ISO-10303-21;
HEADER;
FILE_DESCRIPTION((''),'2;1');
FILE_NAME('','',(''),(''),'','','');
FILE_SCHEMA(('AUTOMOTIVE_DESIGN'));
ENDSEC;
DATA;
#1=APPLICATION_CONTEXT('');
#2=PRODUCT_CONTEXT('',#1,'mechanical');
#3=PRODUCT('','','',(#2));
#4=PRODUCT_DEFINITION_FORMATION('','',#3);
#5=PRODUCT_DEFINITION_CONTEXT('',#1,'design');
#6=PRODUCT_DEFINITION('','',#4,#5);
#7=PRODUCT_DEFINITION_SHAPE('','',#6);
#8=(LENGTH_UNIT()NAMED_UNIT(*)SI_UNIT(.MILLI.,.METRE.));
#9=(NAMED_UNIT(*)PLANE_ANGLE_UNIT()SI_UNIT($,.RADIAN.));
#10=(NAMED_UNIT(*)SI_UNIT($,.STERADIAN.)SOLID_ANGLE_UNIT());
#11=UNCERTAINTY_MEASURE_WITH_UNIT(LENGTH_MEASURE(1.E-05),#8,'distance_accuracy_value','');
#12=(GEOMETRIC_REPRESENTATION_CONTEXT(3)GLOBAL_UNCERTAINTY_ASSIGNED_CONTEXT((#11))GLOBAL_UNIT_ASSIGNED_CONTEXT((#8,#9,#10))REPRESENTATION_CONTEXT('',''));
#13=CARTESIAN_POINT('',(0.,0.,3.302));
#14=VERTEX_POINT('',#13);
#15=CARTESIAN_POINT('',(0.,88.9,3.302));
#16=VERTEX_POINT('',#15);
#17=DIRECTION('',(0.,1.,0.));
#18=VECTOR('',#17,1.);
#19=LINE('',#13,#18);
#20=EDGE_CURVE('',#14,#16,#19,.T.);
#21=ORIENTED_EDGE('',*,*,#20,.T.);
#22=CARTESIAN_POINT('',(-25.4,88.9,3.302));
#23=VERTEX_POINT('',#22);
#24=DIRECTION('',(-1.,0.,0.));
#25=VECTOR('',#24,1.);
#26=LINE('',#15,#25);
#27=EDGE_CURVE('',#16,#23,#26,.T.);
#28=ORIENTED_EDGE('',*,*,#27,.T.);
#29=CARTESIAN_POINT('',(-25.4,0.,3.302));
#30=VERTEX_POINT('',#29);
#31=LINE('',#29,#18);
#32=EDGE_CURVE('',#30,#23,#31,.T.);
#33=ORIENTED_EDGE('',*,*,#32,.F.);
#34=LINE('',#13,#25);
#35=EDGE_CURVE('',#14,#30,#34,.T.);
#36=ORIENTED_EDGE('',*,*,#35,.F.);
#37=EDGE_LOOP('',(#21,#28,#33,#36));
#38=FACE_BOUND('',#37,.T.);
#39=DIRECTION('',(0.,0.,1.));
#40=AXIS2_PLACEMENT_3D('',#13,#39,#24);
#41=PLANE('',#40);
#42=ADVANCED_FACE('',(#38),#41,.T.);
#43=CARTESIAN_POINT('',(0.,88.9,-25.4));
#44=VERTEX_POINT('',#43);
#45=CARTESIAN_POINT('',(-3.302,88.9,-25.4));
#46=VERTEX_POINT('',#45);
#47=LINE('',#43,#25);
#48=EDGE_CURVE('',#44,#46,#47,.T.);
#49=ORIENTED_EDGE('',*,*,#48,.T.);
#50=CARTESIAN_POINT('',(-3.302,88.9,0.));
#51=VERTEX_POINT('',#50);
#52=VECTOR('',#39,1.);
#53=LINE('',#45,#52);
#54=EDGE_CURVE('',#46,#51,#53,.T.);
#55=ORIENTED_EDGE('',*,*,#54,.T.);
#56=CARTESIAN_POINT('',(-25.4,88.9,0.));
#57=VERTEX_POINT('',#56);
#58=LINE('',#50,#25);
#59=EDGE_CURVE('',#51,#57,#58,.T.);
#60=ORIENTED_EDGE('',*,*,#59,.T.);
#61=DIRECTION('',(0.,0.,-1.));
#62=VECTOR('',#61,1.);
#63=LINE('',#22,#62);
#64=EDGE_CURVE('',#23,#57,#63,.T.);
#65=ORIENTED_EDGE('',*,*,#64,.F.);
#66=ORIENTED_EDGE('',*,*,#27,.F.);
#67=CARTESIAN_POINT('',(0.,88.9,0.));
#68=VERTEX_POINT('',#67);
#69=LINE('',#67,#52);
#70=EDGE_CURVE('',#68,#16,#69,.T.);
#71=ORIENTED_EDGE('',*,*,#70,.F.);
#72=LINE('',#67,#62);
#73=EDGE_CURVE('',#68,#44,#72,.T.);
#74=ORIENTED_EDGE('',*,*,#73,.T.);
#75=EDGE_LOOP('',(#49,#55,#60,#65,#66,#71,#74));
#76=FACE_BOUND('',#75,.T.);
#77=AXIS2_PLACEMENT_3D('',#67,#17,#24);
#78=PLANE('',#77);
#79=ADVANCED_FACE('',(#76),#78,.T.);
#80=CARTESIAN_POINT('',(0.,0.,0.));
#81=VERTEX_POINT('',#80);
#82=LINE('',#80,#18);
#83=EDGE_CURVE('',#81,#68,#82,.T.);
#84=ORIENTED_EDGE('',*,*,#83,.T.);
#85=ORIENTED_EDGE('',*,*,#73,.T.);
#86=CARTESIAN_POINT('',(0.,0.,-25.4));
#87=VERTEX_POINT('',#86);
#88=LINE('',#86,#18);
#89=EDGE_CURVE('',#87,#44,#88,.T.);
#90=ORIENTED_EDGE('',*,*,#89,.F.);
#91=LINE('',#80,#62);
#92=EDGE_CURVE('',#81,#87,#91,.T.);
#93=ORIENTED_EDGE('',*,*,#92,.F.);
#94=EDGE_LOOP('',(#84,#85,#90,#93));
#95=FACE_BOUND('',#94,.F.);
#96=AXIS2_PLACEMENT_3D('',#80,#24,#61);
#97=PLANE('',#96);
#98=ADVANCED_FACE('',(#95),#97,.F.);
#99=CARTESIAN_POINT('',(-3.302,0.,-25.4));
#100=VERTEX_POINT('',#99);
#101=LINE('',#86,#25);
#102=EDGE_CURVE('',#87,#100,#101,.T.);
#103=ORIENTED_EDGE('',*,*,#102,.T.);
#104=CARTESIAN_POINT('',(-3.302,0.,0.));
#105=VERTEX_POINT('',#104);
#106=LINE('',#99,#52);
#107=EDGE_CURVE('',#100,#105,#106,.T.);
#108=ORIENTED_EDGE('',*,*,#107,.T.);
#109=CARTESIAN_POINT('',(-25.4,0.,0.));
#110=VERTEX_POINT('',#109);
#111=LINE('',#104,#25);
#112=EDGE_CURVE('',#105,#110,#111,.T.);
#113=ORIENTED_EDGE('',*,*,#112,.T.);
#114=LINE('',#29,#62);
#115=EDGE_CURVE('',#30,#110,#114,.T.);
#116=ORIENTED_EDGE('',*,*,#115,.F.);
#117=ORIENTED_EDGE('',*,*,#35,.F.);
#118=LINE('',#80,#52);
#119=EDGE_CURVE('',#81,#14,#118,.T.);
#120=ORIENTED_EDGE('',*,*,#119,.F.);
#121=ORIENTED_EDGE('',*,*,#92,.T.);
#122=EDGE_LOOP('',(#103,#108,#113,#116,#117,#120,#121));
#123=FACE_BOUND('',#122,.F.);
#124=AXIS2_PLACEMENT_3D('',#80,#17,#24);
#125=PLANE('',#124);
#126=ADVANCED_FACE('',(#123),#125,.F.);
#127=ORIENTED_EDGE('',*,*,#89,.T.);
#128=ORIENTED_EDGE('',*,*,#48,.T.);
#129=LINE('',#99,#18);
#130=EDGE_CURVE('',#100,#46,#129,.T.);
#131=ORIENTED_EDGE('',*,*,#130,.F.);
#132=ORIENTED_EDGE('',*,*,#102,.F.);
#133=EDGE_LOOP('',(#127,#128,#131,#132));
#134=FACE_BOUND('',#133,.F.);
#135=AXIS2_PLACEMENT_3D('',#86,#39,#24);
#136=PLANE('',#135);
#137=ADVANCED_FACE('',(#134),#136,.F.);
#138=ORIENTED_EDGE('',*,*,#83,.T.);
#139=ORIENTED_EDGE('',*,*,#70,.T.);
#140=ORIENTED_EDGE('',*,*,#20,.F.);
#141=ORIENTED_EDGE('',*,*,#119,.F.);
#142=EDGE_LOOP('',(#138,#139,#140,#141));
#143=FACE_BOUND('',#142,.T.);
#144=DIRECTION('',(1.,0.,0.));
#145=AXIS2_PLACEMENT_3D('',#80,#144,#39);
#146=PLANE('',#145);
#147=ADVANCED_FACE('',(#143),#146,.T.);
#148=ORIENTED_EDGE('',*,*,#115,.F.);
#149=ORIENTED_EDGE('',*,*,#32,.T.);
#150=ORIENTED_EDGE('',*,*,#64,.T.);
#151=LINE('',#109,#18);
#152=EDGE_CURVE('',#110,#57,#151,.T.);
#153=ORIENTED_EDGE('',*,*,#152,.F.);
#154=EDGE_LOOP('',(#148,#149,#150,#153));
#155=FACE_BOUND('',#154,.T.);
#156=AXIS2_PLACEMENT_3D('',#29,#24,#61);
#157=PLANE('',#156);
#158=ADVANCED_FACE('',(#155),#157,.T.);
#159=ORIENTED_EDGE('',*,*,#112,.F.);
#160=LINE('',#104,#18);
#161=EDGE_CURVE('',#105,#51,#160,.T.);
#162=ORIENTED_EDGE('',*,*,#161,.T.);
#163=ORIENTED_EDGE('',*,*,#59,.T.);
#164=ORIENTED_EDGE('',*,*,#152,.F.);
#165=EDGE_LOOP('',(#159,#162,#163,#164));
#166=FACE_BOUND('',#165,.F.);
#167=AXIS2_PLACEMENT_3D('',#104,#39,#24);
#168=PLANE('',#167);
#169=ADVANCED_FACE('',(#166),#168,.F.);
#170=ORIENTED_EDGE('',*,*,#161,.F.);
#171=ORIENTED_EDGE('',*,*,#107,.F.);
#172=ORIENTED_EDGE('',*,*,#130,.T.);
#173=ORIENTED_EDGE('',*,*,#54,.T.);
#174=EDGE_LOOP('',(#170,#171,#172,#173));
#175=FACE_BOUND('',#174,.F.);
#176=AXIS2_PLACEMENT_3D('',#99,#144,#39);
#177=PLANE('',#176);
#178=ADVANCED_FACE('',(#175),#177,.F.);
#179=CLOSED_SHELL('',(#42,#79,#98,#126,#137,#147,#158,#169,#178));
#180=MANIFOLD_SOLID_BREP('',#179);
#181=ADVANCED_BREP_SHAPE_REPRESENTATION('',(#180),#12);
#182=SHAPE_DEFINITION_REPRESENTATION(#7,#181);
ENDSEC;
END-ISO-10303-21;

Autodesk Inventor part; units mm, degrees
ref_plane "YZ Plane" through (0, 0, 0) normal (1, 0, 0) x (0, 1, 0)
ref_plane "XZ Plane" through (0, 0, 0) normal (0, 1, 0) x (-1, 0, 0)
ref_plane "XY Plane" through (0, 0, 0) normal (0, 0, 1) x (1, 0, 0)
sketch "Sketch1" plane through (0, 0, 0) normal (0, 1, 0) x (-1, 0, 0)
  line L0 (0, 0) -> (0, -25.4)
  line L1 (0, 0) -> (0, 3.302)
  line L2 (0, 3.302) -> (25.4, 3.302)
  line L3 (25.4, 3.302) -> (25.4, 0)
  line L4 (0, -25.4) -> (3.302, -25.4)
  line L5 (3.302, -25.4) -> (3.302, 0)
  line L6 (3.302, 0) -> (25.4, 0)
  dimension "d0" = 25.4
  dimension "d1" = 3.302
  dimension "d2" = 25.4
  dimension "d3" = 3.302
extrude "Extrusion1" add sketch "Sketch1" along normal blind 88.9
properties part number "Winch Upright Bracket"
